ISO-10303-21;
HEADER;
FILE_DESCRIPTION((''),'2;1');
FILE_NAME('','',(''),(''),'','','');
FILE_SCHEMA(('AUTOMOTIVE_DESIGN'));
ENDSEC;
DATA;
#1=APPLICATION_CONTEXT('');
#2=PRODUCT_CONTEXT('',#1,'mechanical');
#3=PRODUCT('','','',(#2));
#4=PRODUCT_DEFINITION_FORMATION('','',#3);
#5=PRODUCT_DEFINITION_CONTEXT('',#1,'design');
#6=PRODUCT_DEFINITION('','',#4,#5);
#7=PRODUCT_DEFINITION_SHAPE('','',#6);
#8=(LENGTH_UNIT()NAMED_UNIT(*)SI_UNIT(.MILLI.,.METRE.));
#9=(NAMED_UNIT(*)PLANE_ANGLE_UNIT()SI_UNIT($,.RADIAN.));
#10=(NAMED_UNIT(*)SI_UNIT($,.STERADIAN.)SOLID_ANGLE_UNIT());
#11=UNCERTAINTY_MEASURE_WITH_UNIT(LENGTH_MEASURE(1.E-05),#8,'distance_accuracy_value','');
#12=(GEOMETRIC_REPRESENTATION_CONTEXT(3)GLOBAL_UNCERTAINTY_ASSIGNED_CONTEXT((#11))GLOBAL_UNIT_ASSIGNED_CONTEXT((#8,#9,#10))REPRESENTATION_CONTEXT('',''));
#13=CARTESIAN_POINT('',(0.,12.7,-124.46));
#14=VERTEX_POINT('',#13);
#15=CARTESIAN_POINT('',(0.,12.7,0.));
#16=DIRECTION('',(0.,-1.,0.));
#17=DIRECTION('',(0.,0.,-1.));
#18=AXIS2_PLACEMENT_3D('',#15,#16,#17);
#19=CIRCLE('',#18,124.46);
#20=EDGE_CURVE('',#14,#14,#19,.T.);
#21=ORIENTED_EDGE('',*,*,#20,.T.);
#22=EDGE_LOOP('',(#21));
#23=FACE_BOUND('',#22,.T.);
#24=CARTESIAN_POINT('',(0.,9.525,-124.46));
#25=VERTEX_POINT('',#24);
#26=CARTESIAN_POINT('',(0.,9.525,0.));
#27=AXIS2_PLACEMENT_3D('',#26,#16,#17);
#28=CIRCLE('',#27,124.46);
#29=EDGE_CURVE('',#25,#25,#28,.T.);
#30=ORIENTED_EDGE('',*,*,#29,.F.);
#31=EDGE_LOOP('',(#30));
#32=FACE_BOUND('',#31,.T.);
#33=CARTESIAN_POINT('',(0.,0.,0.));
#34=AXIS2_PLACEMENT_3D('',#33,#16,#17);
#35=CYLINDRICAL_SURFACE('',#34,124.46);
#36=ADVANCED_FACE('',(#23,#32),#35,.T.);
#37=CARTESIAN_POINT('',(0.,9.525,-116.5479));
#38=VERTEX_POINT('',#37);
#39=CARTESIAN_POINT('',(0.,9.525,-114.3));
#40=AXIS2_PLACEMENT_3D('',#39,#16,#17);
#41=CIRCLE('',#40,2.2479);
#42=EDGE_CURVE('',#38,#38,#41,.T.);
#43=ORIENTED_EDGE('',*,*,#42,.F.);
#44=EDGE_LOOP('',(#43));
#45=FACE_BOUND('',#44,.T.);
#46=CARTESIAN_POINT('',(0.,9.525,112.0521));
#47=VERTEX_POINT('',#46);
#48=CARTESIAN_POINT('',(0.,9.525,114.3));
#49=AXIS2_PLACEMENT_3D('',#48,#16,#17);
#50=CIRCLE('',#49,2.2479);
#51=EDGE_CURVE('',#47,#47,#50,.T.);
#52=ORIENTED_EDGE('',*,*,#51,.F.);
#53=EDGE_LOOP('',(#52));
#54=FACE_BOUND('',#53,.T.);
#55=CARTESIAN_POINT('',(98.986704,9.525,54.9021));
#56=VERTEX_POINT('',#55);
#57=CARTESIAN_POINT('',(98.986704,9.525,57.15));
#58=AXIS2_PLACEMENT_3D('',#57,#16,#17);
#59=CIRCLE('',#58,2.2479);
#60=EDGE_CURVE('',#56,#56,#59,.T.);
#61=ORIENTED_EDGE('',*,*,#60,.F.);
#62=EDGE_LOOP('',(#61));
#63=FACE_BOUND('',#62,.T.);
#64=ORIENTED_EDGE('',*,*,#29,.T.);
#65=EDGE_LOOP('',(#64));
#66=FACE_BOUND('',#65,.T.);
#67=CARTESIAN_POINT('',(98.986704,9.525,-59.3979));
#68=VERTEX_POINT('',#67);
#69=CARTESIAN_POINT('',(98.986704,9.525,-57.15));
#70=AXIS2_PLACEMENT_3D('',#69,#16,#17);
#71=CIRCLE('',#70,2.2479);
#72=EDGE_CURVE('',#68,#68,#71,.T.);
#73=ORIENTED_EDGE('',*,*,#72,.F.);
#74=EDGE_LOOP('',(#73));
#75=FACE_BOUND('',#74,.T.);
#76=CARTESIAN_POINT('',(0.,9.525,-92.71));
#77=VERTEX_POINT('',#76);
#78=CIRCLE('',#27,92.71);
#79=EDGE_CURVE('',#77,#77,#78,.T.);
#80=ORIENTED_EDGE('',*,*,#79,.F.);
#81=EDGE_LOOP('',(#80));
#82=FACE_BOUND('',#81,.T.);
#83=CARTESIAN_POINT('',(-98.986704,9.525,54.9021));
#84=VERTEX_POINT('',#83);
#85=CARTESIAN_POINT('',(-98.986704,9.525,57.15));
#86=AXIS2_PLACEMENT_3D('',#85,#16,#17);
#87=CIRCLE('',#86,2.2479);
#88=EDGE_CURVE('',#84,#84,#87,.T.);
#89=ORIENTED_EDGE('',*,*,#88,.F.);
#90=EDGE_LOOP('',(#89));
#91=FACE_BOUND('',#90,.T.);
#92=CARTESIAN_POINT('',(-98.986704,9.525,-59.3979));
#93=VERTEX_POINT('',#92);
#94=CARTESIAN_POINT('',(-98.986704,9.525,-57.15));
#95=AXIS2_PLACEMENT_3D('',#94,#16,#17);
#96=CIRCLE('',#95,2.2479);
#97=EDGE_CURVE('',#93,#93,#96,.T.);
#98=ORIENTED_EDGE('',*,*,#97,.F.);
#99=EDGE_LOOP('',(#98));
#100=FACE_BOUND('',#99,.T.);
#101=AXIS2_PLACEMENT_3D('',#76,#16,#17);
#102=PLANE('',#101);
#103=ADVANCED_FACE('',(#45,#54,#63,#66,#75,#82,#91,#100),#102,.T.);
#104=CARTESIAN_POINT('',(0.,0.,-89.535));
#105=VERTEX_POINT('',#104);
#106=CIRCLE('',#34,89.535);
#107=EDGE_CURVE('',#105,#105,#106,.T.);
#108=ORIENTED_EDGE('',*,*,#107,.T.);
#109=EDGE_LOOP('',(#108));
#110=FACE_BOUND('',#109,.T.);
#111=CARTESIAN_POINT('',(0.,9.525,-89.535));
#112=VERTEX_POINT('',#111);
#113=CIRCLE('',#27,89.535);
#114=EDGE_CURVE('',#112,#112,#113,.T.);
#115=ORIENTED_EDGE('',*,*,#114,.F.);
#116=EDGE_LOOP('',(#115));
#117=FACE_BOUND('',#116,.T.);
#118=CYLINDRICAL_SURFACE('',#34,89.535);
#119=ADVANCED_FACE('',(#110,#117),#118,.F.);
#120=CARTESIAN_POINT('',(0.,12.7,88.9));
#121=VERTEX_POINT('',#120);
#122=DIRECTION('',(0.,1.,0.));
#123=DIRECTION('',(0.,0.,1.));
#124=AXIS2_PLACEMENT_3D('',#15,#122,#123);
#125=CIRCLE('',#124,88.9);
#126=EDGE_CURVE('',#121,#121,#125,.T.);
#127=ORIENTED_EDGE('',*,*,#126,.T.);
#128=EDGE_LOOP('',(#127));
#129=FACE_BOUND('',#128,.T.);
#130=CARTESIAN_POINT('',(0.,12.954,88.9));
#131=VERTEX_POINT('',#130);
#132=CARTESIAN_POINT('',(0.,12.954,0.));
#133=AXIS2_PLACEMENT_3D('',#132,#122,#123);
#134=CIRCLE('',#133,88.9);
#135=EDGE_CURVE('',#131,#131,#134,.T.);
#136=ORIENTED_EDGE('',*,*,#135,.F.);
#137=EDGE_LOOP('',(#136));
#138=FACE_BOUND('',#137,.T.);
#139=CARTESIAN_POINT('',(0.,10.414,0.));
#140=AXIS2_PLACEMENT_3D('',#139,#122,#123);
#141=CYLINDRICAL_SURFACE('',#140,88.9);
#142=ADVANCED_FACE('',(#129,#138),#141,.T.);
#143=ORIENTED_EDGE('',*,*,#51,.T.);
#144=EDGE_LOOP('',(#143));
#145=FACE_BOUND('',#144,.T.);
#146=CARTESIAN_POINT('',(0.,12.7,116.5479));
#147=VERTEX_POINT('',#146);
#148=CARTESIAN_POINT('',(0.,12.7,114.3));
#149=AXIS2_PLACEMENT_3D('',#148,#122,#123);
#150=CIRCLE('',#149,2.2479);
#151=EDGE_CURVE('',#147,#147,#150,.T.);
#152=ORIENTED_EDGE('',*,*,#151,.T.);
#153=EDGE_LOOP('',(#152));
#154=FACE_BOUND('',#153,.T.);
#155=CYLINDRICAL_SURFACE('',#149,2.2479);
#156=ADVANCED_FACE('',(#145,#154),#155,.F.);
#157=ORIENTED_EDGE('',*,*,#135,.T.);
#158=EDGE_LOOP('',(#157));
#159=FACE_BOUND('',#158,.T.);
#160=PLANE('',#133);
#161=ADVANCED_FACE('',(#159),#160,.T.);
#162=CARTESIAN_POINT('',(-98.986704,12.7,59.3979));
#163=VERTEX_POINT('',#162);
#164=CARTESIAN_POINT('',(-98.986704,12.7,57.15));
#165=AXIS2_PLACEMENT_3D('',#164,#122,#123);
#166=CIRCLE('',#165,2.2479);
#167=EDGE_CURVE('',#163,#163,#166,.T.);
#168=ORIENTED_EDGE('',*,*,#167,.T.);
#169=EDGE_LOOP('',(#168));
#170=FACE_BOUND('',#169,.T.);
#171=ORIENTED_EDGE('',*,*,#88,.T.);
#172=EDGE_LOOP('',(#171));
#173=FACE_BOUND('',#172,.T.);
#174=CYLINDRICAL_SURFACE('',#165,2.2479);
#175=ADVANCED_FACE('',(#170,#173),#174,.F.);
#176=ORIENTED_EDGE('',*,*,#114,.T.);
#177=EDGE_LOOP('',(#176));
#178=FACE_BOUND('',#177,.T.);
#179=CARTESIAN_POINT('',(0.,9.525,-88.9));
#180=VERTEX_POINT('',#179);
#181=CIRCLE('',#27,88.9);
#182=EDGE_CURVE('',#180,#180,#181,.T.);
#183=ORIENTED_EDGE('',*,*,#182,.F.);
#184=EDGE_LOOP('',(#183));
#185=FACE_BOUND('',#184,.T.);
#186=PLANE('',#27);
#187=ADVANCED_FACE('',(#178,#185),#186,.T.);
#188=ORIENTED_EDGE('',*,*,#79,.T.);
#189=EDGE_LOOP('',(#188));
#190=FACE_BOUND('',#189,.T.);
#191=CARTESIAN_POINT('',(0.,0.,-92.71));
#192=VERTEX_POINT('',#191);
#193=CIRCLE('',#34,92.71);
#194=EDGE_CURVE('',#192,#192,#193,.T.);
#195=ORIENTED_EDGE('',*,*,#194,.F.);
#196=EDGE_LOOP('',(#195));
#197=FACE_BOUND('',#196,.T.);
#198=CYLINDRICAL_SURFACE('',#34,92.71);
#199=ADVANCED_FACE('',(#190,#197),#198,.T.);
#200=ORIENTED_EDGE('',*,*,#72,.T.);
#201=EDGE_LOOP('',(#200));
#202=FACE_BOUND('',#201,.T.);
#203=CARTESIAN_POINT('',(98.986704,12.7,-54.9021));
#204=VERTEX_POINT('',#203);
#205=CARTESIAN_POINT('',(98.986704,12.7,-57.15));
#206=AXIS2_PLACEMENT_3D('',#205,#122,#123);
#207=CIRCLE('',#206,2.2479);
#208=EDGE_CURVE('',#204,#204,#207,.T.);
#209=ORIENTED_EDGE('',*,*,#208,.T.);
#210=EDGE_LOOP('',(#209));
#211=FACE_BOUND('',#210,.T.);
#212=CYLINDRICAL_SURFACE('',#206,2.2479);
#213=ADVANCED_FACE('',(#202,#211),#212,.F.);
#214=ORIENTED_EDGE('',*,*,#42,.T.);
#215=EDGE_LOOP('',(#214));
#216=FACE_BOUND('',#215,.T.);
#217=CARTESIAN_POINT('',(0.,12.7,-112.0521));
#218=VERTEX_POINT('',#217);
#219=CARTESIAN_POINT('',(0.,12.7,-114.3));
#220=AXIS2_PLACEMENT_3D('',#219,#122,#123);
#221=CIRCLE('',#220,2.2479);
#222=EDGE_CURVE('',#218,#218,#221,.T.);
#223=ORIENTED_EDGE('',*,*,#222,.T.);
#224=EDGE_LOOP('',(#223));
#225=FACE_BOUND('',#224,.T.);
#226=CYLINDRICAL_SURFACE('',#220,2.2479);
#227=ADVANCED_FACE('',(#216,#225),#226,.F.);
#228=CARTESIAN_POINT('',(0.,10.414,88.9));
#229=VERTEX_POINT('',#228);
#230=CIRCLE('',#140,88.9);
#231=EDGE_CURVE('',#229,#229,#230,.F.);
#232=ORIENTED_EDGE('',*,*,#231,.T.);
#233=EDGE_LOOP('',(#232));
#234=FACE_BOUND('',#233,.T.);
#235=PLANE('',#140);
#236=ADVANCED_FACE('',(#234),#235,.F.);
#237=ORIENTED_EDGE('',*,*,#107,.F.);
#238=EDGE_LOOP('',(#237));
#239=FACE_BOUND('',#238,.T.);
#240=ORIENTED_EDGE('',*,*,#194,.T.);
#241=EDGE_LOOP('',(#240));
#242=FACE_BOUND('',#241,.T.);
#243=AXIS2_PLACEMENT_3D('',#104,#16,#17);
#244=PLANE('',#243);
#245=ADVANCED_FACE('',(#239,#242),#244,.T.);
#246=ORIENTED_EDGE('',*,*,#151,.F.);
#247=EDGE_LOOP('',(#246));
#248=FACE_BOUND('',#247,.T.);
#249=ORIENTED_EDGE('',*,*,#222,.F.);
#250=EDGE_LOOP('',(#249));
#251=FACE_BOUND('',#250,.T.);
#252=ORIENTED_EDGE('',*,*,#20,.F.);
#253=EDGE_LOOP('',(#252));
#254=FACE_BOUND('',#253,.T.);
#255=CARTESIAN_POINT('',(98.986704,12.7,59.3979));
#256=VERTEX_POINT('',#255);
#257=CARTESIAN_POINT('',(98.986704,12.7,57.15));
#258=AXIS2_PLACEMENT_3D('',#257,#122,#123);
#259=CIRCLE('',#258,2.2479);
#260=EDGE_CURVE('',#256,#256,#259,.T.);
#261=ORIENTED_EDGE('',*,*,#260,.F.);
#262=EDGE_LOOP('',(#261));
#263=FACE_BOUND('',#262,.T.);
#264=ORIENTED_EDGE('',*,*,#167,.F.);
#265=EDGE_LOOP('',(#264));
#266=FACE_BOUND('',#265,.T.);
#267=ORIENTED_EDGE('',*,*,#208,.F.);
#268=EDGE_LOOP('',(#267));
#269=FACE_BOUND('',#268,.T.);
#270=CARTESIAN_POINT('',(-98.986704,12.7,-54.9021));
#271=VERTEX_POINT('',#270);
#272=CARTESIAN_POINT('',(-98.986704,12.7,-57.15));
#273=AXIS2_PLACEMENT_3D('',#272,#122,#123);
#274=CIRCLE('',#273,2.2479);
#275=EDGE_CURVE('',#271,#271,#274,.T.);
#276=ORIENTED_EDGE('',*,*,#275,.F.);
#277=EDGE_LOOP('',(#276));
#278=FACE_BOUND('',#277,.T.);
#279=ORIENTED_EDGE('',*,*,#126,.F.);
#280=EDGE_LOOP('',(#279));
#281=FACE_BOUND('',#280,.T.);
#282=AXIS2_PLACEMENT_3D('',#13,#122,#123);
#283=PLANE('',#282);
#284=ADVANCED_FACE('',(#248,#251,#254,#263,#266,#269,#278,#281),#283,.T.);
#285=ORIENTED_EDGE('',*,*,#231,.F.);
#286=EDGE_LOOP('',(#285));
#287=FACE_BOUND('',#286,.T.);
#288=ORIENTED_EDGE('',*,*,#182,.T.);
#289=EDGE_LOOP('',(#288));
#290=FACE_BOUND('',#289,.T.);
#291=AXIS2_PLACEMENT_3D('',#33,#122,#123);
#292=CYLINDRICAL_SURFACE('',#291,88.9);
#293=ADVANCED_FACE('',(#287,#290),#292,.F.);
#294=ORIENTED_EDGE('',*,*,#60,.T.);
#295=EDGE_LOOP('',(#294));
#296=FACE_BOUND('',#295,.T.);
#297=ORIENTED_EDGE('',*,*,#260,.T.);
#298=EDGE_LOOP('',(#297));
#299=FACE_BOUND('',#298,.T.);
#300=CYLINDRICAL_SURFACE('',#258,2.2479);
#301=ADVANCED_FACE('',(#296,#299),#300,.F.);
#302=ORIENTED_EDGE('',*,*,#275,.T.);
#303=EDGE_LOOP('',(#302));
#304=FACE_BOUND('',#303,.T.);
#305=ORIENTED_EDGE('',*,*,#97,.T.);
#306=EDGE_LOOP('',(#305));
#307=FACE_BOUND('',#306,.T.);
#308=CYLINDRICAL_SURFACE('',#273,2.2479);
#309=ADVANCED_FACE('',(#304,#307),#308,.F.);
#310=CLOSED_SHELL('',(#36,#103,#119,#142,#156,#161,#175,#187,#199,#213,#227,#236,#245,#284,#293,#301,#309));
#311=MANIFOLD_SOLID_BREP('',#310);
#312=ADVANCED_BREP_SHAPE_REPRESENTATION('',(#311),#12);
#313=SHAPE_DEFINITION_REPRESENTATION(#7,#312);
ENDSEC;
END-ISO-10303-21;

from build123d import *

# Parameters (mm, degrees)
F_8_CLEARANCE_HOLE1_D     = 4.4958
F_8_CLEARANCE_HOLE1_DEPTH = 3.176
CIRPATTERN1_COUNT         = 6
SKETCH4_R                 = 88.9
CUT_EXTRUDE1_DEPTH        = 13.7
BOSS_EXTRUDE2_START       = 0.254
SKETCH5_R                 = 88.9
BOSS_EXTRUDE2_DEPTH       = 2.54


with BuildPart() as part:
    # Sketch1 → Revolve1 (revolve)
    with BuildSketch(Plane(origin=(0, 0, 0), x_dir=(0, 0, -1), z_dir=(1, 0, 0))):
        Polygon((89.535, 0), (92.71, 0), (92.71, 9.525), (124.46, 9.525), (124.46, 12.7), (0, 12.7), (0, 9.525), (89.535, 9.525), align=None)
    revolve(axis=Axis((0, 0, 0), (0, 1, 0)))

    # #8 Clearance Hole1
    with Locations(Plane(origin=(0, 12.7, 0), x_dir=(1, 0, 0), z_dir=(0, 1, 0))):
        with Locations((0, 114.3)):
            f_8_clearance_hole1 = Hole(F_8_CLEARANCE_HOLE1_D / 2, depth=F_8_CLEARANCE_HOLE1_DEPTH)

    # CirPattern1: #8 Clearance Hole1 ×6 about axis
    cirpattern1_axis = Axis((0, 0, 0), (0, 1, 0))
    for i in range(1, CIRPATTERN1_COUNT):
        add(f_8_clearance_hole1.rotate(cirpattern1_axis, i * 360 / CIRPATTERN1_COUNT), mode=Mode.SUBTRACT)

    # Sketch4 → Cut-Extrude1 (cut, through all)
    with BuildSketch(Plane(origin=(0, 12.7, 0), x_dir=(1, 0, 0), z_dir=(0, 1, 0))):
        Circle(SKETCH4_R)
    extrude(amount=-CUT_EXTRUDE1_DEPTH, mode=Mode.SUBTRACT)

    # Sketch5 → Boss-Extrude2 (add)
    with BuildSketch(Plane(origin=(0, 12.7, 0), x_dir=(1, 0, 0), z_dir=(0, 1, 0)).offset(BOSS_EXTRUDE2_START)):
        Circle(SKETCH5_R)
    extrude(amount=-BOSS_EXTRUDE2_DEPTH)


solid = part.part
